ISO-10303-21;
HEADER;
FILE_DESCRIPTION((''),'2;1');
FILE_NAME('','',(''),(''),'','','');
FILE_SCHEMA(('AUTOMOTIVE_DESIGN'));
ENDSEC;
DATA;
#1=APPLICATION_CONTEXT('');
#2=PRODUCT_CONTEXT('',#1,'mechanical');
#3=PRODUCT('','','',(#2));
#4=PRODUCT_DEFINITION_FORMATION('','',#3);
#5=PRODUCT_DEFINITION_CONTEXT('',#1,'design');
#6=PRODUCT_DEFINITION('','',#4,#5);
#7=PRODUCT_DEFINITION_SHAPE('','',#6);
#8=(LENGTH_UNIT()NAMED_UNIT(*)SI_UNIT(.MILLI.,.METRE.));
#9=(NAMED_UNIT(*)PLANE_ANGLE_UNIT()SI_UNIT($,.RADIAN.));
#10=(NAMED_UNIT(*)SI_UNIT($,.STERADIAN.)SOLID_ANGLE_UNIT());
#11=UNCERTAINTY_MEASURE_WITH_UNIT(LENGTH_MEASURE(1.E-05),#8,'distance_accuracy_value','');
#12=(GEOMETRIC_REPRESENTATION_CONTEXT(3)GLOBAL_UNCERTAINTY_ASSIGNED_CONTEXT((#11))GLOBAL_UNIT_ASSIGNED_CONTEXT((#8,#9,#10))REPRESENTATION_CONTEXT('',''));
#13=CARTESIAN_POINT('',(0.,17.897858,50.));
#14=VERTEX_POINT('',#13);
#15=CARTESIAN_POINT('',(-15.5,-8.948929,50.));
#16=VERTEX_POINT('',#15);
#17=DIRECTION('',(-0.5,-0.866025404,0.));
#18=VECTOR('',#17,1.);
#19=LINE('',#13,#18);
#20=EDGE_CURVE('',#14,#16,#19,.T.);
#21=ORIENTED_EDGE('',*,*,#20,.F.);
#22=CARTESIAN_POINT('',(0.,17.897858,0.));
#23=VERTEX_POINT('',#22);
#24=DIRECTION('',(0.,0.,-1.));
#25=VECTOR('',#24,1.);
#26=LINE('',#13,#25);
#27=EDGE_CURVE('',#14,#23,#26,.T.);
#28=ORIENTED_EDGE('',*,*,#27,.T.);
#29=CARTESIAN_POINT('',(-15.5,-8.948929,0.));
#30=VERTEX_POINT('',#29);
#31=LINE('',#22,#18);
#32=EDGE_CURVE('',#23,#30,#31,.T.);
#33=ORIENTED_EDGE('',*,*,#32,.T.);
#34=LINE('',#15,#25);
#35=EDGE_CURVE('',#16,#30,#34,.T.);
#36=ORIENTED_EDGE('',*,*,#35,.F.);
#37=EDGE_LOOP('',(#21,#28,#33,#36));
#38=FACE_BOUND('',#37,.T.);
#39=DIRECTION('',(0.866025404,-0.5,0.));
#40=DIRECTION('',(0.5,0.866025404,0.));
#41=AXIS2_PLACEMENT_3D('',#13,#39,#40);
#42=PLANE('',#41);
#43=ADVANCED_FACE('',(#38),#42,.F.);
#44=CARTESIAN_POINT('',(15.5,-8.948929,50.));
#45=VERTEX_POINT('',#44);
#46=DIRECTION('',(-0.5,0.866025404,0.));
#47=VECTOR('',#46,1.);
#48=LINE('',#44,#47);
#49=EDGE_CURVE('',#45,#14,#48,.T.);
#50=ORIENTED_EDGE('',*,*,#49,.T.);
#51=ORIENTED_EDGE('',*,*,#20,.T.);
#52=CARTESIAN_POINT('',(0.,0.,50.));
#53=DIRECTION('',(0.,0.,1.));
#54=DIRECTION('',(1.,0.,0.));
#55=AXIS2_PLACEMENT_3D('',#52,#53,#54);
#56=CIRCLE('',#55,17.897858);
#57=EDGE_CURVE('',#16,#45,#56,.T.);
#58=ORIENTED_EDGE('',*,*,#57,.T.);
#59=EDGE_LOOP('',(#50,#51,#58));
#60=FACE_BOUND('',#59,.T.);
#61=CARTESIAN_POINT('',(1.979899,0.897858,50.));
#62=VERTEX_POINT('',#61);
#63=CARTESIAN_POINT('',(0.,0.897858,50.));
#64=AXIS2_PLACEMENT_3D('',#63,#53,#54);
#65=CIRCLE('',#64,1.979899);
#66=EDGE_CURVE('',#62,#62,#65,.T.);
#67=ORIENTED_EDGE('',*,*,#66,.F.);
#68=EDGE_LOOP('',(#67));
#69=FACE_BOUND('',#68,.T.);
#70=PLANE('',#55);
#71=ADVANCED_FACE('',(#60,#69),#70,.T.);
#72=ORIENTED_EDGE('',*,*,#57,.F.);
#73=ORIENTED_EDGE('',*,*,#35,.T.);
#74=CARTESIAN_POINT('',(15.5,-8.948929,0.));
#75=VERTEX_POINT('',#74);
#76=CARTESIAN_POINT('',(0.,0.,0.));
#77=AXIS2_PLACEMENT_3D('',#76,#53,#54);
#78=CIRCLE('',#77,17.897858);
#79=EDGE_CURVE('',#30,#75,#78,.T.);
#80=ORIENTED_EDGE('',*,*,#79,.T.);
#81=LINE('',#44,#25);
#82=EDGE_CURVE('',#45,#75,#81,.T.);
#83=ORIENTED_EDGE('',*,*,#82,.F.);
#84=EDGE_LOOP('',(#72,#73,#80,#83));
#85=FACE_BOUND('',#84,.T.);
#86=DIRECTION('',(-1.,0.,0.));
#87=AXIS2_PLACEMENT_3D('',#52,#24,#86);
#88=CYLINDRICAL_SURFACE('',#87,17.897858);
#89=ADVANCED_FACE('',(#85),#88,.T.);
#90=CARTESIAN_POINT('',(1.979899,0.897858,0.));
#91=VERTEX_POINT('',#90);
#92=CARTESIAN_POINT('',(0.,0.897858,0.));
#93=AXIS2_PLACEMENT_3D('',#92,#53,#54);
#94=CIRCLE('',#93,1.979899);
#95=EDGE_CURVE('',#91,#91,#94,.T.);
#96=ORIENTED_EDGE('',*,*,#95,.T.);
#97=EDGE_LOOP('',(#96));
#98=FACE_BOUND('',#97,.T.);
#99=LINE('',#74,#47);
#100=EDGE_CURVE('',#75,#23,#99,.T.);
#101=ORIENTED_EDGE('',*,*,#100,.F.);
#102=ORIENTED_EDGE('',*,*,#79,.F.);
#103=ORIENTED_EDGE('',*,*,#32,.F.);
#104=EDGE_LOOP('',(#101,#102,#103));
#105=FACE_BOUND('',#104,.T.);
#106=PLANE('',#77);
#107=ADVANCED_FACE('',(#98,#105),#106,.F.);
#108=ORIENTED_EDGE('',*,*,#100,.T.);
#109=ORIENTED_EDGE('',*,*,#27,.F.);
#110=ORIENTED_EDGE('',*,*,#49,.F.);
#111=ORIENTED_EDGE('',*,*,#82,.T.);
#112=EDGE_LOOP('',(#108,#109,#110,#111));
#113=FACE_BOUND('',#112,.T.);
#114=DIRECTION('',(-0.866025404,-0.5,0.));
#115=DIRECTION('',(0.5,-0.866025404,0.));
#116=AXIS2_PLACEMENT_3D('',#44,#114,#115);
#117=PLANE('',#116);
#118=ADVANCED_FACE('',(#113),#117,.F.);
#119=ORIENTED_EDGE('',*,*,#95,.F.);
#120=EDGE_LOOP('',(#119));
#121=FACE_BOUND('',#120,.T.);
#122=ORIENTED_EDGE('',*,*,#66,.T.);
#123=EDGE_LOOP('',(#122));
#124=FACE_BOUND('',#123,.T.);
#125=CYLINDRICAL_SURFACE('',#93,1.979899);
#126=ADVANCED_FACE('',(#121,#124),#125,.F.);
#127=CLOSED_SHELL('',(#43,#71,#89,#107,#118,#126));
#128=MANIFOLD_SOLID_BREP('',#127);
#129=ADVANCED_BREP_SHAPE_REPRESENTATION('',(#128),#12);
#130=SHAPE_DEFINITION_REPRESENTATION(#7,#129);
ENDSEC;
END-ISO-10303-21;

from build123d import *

# Parameters (mm, degrees)
Y_KSEKLIK_EKSTR_ZYON1_DEPTH = 50
IZIM2_R                     = 1.979898987
KES_EKSTR_ZYON1_DEPTH       = 50


with BuildPart() as part:
    # Çizim1 → Yükseklik-Ekstrüzyon1 (new body)
    with BuildSketch(Plane.XY):
        with BuildLine():
            Line((0, 17.897858345), (-15.5, -8.948929172))
            ThreePointArc((-15.5, -8.948929172), (0, -17.897858345), (15.5, -8.948929172))
            Line((15.5, -8.948929172), (0, 17.897858345))
        make_face()
    extrude(amount=Y_KSEKLIK_EKSTR_ZYON1_DEPTH)

    # Çizim2 → Kes-Ekstrüzyon1 (cut)
    with BuildSketch(Plane.XY.offset(50)):
        with Locations((0, 0.897858345)):
            Circle(IZIM2_R)
    extrude(amount=-KES_EKSTR_ZYON1_DEPTH, mode=Mode.SUBTRACT)


solid = part.part
